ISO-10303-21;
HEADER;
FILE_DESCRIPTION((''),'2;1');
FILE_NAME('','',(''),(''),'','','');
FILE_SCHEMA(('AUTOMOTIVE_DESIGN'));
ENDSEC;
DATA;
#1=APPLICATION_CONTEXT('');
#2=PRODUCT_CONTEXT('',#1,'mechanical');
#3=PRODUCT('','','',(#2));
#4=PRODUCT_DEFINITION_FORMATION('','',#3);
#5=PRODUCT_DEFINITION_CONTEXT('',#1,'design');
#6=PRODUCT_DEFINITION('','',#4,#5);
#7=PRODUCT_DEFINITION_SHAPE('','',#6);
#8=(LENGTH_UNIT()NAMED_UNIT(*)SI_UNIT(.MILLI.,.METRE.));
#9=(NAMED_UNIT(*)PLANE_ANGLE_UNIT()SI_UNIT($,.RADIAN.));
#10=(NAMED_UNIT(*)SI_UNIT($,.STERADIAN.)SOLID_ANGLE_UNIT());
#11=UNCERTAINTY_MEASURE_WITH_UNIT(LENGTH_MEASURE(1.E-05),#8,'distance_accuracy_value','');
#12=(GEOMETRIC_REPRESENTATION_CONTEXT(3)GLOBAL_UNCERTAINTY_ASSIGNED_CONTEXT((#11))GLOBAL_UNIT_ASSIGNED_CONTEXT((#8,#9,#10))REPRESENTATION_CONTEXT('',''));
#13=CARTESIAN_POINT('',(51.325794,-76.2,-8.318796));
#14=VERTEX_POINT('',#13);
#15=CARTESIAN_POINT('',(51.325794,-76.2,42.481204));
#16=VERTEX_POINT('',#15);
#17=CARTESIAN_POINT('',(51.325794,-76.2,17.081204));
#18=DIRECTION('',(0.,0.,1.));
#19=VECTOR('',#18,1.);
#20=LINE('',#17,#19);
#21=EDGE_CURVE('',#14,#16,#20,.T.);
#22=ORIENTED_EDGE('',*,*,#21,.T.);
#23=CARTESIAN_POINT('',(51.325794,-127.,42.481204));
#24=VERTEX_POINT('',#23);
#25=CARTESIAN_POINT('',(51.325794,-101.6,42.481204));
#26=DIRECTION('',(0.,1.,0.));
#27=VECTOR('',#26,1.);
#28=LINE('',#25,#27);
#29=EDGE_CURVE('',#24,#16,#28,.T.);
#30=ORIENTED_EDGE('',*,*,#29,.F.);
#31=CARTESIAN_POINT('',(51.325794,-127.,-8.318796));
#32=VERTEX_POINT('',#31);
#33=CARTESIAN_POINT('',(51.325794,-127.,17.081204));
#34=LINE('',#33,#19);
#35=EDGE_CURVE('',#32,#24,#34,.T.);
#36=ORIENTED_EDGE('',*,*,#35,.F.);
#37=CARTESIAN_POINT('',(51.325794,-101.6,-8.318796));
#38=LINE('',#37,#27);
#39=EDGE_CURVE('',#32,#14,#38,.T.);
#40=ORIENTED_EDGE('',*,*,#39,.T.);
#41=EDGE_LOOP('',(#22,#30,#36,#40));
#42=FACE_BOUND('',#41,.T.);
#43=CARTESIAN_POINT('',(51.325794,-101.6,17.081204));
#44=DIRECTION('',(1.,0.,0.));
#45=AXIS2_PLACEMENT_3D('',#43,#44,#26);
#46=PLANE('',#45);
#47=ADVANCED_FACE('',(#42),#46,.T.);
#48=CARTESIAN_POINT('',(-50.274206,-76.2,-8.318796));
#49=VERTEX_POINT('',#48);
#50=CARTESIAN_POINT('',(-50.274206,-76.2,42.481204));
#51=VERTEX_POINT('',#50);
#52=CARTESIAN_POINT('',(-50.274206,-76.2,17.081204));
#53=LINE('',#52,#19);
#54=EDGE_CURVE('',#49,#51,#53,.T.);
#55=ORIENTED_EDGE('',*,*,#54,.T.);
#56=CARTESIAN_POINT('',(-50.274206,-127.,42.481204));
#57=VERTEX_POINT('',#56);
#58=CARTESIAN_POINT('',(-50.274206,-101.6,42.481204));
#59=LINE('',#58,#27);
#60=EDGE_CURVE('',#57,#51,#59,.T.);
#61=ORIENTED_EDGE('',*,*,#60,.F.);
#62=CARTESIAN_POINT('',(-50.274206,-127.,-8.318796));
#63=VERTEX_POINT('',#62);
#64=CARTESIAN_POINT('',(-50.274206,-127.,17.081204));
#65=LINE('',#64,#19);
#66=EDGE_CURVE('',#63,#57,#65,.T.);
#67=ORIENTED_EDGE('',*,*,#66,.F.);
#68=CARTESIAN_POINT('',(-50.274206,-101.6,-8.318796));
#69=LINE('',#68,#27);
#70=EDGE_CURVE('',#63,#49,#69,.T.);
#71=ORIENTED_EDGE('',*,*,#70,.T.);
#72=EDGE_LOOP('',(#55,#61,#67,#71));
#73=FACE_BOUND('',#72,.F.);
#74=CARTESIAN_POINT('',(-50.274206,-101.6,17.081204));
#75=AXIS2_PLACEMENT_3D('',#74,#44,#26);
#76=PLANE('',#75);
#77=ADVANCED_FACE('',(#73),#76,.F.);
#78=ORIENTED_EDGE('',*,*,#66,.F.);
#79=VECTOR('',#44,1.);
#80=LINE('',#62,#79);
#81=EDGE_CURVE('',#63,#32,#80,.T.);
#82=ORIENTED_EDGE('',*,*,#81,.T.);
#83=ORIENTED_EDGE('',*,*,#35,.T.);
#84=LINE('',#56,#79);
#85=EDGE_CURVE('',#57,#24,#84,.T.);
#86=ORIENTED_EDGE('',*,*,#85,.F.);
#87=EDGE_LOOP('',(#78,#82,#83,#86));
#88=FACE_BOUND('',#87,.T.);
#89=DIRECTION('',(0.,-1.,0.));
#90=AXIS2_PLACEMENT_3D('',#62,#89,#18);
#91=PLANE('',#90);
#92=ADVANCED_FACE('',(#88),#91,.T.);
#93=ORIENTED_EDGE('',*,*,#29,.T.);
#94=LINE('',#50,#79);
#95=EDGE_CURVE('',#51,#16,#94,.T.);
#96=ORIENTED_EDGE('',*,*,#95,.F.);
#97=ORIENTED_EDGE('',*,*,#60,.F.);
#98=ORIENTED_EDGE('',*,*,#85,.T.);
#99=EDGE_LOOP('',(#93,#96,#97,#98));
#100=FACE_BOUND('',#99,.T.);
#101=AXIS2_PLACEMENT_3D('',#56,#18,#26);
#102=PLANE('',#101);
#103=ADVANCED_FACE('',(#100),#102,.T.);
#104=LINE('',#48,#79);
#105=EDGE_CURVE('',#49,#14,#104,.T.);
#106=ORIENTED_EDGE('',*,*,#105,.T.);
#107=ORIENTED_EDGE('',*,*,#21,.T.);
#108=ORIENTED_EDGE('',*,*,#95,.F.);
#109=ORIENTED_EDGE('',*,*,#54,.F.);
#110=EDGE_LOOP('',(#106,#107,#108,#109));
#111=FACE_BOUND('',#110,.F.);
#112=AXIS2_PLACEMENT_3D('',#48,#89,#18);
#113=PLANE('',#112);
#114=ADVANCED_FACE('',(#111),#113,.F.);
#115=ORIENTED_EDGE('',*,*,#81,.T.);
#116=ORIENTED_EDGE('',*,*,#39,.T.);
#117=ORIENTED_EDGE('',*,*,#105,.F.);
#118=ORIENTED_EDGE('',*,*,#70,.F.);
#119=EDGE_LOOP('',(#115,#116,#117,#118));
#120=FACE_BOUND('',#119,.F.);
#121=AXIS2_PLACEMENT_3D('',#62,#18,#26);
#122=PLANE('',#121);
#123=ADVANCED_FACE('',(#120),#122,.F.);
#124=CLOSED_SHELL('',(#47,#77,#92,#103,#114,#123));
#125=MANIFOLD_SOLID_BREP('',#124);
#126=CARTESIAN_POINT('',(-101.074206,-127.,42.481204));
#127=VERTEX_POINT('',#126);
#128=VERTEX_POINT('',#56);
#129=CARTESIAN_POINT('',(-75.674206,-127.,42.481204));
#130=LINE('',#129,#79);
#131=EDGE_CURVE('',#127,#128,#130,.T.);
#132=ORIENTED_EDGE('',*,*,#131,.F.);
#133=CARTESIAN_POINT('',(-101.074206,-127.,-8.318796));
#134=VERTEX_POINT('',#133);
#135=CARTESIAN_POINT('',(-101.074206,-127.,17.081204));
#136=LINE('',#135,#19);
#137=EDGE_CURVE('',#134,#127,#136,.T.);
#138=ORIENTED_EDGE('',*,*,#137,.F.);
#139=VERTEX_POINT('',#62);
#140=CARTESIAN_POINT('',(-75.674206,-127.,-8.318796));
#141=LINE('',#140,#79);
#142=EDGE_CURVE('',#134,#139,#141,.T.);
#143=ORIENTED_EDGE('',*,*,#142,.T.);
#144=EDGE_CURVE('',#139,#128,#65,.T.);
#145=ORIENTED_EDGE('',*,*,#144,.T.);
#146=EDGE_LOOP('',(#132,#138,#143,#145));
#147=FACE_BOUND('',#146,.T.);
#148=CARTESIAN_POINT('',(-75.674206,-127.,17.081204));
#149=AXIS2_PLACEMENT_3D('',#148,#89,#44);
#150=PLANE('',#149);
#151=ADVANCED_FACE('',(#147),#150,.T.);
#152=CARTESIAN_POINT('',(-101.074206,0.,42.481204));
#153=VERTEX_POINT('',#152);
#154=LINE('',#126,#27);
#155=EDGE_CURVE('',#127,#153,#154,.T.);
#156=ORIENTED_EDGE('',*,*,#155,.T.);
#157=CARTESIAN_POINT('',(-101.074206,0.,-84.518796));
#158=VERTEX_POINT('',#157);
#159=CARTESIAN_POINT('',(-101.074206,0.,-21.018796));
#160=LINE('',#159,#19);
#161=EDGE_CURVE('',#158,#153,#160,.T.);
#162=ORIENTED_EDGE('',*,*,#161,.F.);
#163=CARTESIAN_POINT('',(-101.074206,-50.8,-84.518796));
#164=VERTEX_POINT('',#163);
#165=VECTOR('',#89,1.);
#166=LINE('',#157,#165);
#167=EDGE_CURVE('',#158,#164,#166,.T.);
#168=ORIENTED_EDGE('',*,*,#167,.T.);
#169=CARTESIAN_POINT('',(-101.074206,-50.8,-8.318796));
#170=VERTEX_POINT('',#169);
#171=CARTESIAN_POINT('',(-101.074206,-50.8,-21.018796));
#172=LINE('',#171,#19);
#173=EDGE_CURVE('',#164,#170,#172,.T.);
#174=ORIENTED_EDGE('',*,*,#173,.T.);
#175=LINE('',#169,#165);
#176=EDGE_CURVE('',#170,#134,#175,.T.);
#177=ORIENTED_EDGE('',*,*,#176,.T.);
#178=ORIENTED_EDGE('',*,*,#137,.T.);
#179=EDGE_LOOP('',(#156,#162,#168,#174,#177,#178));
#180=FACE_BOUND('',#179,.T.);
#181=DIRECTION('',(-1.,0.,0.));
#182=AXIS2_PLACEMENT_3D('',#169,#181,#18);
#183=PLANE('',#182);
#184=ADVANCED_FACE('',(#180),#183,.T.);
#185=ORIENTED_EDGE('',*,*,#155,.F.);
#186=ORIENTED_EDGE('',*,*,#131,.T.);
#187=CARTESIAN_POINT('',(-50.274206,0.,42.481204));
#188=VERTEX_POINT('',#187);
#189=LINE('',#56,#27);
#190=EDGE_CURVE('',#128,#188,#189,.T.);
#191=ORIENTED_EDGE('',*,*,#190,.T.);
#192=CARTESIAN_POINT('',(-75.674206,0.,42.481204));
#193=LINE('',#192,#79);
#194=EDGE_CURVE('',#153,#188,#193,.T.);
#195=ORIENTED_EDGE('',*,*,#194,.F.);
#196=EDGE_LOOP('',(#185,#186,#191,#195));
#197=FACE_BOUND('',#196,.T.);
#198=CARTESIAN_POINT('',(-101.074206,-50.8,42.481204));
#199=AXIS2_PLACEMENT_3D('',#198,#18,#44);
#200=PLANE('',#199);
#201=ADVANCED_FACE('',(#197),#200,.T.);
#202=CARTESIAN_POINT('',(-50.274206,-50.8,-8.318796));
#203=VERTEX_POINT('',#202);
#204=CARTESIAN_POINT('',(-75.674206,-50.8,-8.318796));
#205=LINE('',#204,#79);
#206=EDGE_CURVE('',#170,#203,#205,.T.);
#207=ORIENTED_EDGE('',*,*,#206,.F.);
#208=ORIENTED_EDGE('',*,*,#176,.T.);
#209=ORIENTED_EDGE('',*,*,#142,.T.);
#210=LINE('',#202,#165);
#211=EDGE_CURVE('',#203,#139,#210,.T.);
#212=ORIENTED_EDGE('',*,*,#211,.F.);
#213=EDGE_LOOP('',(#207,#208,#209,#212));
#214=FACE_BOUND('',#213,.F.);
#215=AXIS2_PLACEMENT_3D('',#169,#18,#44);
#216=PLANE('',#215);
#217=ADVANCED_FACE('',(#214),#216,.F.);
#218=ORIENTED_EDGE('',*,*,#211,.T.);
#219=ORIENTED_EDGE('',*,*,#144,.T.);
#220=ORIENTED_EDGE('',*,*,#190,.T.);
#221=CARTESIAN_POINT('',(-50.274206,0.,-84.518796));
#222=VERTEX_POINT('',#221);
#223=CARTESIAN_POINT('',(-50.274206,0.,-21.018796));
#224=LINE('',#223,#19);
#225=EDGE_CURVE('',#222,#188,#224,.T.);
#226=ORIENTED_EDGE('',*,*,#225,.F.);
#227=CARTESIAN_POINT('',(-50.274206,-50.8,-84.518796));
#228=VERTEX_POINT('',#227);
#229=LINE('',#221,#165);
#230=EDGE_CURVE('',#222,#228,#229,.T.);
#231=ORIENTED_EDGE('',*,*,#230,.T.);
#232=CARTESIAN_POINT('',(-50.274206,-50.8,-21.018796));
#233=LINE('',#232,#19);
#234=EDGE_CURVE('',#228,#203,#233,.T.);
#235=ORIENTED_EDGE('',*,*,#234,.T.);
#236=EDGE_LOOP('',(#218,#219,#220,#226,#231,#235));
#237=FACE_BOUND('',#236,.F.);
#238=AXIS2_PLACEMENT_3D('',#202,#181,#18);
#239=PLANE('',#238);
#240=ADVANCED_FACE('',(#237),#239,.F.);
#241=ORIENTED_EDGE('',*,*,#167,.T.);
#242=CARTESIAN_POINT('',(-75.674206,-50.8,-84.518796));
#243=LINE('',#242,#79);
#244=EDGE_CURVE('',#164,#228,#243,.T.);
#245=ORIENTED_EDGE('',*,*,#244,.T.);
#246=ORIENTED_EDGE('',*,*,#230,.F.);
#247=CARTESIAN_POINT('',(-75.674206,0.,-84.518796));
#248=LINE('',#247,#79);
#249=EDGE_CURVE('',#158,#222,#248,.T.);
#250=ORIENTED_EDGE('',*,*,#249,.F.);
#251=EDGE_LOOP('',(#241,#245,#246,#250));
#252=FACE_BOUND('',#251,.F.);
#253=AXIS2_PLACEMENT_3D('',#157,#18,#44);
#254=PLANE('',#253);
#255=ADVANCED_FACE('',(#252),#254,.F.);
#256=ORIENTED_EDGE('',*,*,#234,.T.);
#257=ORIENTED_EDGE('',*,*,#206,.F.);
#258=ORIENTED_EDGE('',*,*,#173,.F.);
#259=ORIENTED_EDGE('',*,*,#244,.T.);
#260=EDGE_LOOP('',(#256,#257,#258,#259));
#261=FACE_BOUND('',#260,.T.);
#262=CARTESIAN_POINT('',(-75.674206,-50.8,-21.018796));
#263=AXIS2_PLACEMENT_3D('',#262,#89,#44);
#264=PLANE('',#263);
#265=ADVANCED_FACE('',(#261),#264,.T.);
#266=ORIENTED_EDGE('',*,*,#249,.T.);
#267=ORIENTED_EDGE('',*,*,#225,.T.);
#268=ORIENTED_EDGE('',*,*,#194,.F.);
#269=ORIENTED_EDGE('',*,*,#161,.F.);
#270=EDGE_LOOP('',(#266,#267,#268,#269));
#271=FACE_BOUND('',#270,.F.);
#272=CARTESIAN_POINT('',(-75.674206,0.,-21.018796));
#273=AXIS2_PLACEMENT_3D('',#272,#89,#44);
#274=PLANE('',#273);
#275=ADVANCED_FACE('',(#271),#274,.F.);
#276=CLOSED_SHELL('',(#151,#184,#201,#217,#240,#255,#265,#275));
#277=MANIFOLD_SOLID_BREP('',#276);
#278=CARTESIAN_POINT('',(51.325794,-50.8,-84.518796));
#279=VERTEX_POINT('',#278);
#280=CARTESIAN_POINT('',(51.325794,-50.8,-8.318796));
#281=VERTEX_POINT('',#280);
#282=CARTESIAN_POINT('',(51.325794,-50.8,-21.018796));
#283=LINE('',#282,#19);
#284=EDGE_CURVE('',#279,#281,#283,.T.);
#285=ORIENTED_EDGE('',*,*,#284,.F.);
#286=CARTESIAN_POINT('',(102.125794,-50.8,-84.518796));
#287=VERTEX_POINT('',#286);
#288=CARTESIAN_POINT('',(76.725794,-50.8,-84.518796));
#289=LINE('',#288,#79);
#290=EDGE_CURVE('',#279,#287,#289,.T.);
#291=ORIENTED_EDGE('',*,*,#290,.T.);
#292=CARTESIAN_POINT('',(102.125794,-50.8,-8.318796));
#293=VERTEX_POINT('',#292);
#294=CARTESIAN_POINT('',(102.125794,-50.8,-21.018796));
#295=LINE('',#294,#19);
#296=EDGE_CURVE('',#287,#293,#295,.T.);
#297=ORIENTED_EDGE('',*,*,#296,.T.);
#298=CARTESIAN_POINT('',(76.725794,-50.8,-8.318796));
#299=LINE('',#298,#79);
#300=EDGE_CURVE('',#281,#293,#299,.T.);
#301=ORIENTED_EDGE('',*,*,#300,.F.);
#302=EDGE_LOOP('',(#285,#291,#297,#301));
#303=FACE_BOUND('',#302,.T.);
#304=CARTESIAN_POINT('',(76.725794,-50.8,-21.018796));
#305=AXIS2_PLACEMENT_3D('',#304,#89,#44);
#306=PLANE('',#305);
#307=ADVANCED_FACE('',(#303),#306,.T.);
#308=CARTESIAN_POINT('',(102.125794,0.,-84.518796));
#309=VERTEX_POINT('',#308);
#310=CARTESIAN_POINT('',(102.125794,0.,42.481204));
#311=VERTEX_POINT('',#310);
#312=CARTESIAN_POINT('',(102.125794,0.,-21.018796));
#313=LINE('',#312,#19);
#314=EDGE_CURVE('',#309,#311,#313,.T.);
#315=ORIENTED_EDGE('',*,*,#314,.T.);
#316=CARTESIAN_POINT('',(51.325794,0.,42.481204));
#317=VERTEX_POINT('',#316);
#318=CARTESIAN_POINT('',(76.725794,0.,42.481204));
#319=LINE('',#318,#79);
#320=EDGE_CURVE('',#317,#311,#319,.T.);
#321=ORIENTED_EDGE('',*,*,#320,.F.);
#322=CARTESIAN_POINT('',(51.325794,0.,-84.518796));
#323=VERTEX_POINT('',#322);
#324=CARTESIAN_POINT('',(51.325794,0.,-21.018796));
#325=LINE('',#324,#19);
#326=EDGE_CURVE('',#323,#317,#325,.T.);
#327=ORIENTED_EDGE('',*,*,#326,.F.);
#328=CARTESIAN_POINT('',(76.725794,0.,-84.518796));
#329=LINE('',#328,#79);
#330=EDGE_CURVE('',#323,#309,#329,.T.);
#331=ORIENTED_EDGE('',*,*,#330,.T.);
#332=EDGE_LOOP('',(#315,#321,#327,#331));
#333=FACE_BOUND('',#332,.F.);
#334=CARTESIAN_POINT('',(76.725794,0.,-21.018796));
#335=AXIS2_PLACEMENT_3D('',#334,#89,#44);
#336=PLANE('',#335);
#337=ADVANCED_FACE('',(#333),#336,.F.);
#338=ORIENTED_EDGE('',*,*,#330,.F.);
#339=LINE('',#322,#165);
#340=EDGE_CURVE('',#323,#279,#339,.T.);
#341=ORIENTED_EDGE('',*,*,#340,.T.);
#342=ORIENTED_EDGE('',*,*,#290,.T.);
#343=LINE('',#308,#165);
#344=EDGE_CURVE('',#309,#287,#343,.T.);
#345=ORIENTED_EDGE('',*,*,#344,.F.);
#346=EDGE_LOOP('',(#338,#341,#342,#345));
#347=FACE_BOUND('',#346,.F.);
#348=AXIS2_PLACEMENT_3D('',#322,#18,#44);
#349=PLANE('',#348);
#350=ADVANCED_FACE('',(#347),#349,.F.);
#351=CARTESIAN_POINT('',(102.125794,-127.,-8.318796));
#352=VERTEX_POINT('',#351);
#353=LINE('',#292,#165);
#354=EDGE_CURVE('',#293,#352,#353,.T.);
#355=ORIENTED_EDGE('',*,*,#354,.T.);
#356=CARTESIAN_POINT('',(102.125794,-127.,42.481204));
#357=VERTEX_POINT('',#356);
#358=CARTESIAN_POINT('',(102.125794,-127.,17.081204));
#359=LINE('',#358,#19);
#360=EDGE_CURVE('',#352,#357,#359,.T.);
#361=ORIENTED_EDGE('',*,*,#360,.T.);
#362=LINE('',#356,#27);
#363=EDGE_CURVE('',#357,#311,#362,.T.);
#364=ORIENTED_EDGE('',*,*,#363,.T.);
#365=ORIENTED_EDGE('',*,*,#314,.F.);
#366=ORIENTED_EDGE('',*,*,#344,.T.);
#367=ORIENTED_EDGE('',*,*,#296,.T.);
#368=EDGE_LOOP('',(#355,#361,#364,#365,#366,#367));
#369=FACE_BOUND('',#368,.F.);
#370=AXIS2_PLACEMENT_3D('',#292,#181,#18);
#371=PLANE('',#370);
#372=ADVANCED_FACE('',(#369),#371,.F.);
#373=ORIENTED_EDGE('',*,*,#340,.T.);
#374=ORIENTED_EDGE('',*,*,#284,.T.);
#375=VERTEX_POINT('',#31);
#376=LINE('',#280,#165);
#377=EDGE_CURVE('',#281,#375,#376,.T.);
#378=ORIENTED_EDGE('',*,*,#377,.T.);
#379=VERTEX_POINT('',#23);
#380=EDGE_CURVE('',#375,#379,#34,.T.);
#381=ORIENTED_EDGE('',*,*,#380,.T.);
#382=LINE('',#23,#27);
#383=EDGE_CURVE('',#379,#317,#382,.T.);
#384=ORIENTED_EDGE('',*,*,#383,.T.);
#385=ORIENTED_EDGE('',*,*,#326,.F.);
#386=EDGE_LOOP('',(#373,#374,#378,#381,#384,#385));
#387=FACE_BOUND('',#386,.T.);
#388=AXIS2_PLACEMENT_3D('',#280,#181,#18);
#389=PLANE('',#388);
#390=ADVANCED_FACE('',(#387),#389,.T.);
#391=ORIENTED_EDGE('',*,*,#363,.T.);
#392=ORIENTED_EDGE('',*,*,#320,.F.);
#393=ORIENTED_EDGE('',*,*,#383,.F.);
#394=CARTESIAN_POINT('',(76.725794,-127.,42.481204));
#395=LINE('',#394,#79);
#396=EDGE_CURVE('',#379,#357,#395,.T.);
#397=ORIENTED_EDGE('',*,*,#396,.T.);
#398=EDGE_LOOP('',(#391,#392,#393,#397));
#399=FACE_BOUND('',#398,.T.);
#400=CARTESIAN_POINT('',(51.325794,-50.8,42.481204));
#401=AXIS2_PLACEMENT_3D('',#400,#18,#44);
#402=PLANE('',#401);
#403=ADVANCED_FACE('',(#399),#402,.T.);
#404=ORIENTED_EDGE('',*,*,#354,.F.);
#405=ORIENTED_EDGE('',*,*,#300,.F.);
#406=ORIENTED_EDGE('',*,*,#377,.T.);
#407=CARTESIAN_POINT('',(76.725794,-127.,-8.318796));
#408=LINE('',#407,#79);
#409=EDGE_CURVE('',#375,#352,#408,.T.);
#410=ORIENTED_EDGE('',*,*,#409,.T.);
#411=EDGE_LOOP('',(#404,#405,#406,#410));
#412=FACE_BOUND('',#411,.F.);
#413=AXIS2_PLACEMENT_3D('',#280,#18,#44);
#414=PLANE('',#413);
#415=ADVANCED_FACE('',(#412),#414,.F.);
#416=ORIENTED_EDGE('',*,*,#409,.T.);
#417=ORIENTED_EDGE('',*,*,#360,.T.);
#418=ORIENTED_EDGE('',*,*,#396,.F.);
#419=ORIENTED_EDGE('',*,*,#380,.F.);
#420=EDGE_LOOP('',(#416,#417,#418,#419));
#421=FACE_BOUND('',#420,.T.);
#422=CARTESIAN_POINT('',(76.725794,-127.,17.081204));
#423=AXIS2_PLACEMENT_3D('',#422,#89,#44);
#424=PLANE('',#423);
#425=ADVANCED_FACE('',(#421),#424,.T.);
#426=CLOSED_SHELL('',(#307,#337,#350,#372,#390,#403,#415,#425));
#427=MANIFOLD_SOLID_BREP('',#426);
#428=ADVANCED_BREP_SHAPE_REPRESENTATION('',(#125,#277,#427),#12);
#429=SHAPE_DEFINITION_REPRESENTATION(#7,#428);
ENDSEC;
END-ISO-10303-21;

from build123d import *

# Parameters (mm, degrees)
F0_W     = 50.8
F0_H     = 127
F1_DEPTH = 50.8
F2_W     = 50.8
F2_H     = 50.8
F3_DEPTH = 76.2
F4_W     = 50.8
F4_H     = 50.8
F5_DEPTH = 76.2
F6_W     = 50.8
F6_H     = 50.8
F7_DEPTH = 101.6


with BuildPart() as f1:
    # F0 (on Front) → F1 (new body)
    with BuildSketch(Plane.XZ):
        with Locations((-75.674206, -21.018796)):
            Rectangle(F0_W, F0_H)
        with Locations((76.725794, -21.018796)):
            Rectangle(F0_W, F0_H)
    extrude(amount=F1_DEPTH)

    # F2 (on face) → F3 (join)
    with BuildSketch(Plane.XZ.offset(50.8)):
        with Locations((76.725794, 17.081204)):
            Rectangle(F2_W, F2_H)
    extrude(amount=F3_DEPTH)

    # F4 (on face) → F5 (join)
    with BuildSketch(Plane.XZ.offset(50.8)):
        with Locations((-75.674206, 17.081204)):
            Rectangle(F4_W, F4_H)
    extrude(amount=F5_DEPTH)


with BuildPart() as f7:
    # F6 (on face) → F7 (new body)
    with BuildSketch(Plane.YZ.offset(-50.274206)):
        with Locations((-101.6, 17.081204)):
            Rectangle(F6_W, F6_H)
    extrude(amount=F7_DEPTH)


solid = Compound([f1.part, f7.part])
